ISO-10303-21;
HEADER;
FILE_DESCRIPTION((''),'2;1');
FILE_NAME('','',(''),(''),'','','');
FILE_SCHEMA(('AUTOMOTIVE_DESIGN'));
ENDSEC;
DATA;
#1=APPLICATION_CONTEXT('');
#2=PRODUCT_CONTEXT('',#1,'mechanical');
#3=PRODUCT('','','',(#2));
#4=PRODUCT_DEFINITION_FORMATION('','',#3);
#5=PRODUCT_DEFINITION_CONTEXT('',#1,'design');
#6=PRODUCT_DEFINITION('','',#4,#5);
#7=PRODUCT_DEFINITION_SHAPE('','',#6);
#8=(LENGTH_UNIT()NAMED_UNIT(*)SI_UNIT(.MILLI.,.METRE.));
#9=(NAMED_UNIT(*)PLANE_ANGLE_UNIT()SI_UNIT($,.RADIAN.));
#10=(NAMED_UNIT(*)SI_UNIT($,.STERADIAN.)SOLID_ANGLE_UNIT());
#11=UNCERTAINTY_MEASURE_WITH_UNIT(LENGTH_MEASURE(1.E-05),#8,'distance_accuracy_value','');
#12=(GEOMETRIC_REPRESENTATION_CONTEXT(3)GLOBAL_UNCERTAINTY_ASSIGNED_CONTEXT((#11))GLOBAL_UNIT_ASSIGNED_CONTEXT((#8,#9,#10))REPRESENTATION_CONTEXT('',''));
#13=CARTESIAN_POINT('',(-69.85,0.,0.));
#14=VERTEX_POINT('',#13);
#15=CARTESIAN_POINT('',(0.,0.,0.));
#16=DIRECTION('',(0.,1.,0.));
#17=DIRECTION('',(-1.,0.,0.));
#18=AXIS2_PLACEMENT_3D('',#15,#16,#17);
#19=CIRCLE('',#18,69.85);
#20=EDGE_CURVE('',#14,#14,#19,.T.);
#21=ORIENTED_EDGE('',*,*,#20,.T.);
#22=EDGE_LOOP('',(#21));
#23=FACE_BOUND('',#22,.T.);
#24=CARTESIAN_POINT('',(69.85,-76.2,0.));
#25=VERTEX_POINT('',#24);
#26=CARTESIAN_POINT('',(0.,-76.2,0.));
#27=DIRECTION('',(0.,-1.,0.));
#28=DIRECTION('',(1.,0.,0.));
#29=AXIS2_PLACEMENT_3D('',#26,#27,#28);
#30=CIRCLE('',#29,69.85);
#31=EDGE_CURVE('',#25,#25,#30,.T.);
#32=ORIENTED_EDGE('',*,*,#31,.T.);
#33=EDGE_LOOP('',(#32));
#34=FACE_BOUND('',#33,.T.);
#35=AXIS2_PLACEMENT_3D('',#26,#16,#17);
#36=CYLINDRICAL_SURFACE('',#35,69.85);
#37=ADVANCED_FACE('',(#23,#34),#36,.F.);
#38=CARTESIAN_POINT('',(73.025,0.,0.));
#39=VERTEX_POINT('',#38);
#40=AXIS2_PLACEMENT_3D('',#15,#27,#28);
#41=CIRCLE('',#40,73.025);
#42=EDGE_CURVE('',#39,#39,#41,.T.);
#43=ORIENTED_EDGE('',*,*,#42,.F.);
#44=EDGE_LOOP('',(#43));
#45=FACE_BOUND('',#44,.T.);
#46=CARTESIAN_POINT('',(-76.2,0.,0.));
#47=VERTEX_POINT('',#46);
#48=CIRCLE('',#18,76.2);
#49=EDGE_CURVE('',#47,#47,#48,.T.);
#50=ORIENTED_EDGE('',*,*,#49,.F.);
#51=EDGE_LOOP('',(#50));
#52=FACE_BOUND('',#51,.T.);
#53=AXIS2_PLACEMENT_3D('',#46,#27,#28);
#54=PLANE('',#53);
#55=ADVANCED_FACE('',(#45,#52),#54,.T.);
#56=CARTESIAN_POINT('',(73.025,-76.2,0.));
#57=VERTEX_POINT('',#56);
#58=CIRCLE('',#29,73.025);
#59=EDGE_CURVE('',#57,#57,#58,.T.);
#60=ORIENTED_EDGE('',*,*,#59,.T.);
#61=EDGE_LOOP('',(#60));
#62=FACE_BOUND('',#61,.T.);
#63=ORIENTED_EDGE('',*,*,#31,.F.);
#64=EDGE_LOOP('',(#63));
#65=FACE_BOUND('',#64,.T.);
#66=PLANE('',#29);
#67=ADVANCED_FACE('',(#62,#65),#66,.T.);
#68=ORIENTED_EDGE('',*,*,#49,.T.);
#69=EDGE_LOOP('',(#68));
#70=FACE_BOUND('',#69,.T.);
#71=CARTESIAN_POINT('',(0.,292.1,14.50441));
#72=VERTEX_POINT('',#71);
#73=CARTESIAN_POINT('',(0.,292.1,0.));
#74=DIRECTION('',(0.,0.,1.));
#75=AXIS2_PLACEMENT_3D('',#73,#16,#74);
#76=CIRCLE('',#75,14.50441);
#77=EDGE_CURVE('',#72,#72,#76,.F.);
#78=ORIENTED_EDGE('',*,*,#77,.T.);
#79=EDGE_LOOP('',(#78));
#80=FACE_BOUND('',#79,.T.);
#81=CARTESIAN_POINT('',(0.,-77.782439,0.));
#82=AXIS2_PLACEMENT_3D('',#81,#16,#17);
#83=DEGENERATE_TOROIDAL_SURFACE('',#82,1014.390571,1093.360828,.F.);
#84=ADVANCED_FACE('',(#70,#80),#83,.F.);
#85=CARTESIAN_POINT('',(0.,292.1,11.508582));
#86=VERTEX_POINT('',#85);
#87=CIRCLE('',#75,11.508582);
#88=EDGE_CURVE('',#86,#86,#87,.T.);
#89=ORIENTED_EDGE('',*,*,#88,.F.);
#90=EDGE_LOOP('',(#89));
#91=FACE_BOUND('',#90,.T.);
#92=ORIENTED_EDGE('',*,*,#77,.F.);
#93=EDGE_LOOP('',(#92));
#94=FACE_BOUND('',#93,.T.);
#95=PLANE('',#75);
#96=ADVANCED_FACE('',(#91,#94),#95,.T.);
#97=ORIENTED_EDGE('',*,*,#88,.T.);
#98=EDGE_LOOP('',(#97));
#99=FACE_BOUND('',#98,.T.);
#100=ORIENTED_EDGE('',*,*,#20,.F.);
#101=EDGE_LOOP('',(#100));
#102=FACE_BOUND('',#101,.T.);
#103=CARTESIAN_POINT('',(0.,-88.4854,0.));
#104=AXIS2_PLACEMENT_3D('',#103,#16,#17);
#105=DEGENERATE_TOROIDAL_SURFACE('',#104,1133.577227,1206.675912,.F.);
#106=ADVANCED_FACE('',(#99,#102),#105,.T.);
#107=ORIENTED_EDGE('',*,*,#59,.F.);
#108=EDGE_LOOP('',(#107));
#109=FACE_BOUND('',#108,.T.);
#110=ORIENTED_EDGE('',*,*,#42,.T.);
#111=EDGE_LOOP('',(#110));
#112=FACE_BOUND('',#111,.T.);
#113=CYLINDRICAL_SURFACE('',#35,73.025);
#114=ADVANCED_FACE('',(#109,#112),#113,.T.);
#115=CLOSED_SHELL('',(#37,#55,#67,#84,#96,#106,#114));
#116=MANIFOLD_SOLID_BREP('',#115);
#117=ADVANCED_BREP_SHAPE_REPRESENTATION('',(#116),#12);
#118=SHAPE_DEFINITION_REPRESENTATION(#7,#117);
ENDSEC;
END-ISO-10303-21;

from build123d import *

# Parameters (mm, degrees)
SKETCH7_R           = 317.5
CUT_EXTRUDE2_DEPTH  = 88.9
SKETCH8_R           = 73.025
SKETCH8_R_2         = 69.85
BOSS_EXTRUDE1_DEPTH = 76.2


with BuildPart() as part:
    # Sketch2 → Revolve1 (revolve)
    with BuildSketch(Plane.XY):
        with BuildLine():
            Line((-76.2, 0), (-69.85, 0))
            ThreePointArc((-69.85, 0), (-46.178344337, 164.977710697), (0, 325.12))
            Line((0, 325.12), (0, 330.2))
            ThreePointArc((0, 330.2), (-50.970594074, 168.070137094), (-76.2, 0))
        make_face()
    revolve(axis=Axis((0, 330.2, 0), (0, -1, 0)))

    # Sketch7 → Cut-Extrude2 (cut)
    with BuildSketch(Plane(origin=(0, 381, 0), x_dir=(1, 0, 0), z_dir=(0, 1, 0))):
        Circle(SKETCH7_R)
    extrude(amount=-CUT_EXTRUDE2_DEPTH, mode=Mode.SUBTRACT)

    # Sketch8 → Boss-Extrude1 (add)
    with BuildSketch(Plane.XZ):
        Circle(SKETCH8_R)
        Circle(SKETCH8_R_2, mode=Mode.SUBTRACT)
    extrude(amount=BOSS_EXTRUDE1_DEPTH)


solid = part.part
